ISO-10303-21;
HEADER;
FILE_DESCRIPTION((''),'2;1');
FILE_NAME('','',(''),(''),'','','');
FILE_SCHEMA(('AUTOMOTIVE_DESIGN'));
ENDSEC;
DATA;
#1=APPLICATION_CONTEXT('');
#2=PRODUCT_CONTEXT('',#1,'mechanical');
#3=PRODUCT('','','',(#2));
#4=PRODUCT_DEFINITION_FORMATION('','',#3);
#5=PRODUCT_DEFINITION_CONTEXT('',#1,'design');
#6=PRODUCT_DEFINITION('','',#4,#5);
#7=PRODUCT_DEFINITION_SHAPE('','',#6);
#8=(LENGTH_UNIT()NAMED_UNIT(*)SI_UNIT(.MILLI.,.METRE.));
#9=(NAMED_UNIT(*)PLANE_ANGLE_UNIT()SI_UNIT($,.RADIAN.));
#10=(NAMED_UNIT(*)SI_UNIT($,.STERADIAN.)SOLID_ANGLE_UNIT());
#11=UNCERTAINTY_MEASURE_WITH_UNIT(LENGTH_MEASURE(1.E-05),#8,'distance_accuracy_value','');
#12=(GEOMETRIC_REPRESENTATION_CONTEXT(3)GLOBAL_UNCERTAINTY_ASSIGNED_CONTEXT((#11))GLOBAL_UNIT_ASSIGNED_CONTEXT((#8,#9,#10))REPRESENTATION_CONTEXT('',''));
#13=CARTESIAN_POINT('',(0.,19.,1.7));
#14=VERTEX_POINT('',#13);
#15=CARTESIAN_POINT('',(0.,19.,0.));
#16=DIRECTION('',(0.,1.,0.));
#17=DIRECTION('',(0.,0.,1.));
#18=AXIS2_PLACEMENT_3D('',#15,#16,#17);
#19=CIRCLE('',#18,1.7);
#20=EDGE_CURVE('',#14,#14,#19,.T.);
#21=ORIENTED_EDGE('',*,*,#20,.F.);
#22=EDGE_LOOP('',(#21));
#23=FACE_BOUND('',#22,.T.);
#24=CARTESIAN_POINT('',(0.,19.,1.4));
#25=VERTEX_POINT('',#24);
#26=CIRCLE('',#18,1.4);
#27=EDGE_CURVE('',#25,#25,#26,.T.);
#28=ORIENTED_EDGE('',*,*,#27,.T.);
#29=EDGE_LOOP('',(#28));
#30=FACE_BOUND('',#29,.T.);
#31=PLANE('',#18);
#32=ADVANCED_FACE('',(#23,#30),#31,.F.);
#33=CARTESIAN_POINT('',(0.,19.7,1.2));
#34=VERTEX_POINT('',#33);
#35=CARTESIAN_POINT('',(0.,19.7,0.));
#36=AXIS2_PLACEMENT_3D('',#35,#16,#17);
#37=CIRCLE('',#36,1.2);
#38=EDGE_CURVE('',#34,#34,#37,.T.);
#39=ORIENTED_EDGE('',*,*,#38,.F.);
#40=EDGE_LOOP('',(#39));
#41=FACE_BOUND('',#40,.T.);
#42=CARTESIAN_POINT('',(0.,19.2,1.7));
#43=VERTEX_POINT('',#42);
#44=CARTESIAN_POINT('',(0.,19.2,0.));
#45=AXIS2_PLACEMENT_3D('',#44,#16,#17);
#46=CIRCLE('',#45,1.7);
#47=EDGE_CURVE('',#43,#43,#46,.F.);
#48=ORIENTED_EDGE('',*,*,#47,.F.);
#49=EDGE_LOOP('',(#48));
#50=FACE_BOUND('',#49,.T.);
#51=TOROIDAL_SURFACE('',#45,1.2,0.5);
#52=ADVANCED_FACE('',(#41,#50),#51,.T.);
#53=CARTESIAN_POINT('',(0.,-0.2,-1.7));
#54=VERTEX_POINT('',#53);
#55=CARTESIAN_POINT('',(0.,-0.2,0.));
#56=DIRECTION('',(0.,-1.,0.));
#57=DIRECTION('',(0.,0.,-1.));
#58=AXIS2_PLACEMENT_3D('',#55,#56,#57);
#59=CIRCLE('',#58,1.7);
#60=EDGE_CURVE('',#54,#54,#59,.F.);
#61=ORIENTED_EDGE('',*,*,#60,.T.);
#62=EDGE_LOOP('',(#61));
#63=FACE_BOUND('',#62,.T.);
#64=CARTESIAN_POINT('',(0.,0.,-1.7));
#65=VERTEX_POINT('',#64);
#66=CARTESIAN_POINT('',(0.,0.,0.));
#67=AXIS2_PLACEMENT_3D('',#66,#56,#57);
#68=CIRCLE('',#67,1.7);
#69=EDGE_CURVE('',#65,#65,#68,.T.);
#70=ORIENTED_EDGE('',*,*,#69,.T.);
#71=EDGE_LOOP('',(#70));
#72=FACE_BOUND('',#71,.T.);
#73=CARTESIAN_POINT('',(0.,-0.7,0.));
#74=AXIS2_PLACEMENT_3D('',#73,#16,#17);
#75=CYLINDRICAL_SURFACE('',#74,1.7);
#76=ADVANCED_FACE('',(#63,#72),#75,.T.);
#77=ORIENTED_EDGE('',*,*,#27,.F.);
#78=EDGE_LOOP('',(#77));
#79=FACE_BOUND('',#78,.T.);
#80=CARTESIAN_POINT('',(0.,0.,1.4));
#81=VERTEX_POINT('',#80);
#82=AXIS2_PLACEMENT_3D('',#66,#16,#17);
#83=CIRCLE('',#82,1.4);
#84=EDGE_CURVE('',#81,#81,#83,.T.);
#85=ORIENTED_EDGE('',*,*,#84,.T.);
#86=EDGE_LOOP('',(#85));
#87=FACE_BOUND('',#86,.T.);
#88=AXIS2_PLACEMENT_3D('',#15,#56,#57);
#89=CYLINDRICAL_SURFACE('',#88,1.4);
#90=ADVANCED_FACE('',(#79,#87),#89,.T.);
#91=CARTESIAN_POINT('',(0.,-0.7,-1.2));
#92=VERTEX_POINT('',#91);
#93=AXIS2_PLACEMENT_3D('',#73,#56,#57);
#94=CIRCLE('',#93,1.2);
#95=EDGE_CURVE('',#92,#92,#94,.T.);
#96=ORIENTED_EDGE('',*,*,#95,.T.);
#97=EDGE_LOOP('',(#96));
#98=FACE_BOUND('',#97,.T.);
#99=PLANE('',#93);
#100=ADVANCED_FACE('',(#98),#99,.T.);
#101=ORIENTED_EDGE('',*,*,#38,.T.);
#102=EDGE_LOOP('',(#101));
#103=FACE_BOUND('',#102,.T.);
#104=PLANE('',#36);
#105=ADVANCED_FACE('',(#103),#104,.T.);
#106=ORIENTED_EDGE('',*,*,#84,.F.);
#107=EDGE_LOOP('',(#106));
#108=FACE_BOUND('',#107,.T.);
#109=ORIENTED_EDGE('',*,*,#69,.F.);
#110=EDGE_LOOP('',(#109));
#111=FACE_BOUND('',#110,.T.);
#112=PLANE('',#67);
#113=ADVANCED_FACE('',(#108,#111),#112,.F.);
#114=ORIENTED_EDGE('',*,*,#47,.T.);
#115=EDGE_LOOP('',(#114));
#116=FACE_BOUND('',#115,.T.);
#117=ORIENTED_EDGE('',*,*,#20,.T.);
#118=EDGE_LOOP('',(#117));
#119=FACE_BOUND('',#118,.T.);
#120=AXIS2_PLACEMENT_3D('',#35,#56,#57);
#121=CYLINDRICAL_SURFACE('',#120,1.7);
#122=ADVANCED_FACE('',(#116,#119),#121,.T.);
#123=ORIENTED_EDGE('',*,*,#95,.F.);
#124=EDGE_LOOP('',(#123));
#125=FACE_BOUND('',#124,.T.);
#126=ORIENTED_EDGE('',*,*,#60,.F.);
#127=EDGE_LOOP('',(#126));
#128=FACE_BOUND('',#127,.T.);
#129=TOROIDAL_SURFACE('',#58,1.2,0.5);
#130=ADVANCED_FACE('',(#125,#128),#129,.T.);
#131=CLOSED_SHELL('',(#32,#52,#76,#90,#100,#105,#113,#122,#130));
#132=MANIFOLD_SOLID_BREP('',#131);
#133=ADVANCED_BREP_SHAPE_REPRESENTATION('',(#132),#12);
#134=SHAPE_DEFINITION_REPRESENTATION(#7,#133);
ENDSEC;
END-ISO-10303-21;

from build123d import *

# Parameters (mm, degrees)
SKETCH1_R           = 1.4
BOSS_EXTRUDE1_DEPTH = 19
SKETCH2_R           = 1.7
BOSS_EXTRUDE2_DEPTH = 0.7
FILLET1_R           = 0.5
SKETCH3_R           = 1.7
BOSS_EXTRUDE3_DEPTH = 0.7
FILLET2_R           = 0.5


with BuildPart() as part:
    # Sketch1 → Boss-Extrude1 (new body)
    with BuildSketch(Plane(origin=(0, 0, 0), x_dir=(1, 0, 0), z_dir=(0, 1, 0))):
        Circle(SKETCH1_R)
    extrude(amount=BOSS_EXTRUDE1_DEPTH)

    # Sketch2 → Boss-Extrude2 (add)
    with BuildSketch(Plane(origin=(0, 19, 0), x_dir=(1, 0, 0), z_dir=(0, 1, 0))):
        Circle(SKETCH2_R)
    extrude(amount=BOSS_EXTRUDE2_DEPTH)

    # Fillet1
    fillet1_edges = [part.edges().sort_by_distance(p)[0] for p in [
        (-1.7, 19.7, 0),
    ]]
    fillet(fillet1_edges, radius=FILLET1_R)

    # Sketch3 → Boss-Extrude3 (add)
    with BuildSketch(Plane.XZ):
        Circle(SKETCH3_R)
    extrude(amount=BOSS_EXTRUDE3_DEPTH)

    # Fillet2
    fillet2_edges = [part.edges().sort_by_distance(p)[0] for p in [
        (-1.7, -0.7, 0),
    ]]
    fillet(fillet2_edges, radius=FILLET2_R)


solid = part.part
